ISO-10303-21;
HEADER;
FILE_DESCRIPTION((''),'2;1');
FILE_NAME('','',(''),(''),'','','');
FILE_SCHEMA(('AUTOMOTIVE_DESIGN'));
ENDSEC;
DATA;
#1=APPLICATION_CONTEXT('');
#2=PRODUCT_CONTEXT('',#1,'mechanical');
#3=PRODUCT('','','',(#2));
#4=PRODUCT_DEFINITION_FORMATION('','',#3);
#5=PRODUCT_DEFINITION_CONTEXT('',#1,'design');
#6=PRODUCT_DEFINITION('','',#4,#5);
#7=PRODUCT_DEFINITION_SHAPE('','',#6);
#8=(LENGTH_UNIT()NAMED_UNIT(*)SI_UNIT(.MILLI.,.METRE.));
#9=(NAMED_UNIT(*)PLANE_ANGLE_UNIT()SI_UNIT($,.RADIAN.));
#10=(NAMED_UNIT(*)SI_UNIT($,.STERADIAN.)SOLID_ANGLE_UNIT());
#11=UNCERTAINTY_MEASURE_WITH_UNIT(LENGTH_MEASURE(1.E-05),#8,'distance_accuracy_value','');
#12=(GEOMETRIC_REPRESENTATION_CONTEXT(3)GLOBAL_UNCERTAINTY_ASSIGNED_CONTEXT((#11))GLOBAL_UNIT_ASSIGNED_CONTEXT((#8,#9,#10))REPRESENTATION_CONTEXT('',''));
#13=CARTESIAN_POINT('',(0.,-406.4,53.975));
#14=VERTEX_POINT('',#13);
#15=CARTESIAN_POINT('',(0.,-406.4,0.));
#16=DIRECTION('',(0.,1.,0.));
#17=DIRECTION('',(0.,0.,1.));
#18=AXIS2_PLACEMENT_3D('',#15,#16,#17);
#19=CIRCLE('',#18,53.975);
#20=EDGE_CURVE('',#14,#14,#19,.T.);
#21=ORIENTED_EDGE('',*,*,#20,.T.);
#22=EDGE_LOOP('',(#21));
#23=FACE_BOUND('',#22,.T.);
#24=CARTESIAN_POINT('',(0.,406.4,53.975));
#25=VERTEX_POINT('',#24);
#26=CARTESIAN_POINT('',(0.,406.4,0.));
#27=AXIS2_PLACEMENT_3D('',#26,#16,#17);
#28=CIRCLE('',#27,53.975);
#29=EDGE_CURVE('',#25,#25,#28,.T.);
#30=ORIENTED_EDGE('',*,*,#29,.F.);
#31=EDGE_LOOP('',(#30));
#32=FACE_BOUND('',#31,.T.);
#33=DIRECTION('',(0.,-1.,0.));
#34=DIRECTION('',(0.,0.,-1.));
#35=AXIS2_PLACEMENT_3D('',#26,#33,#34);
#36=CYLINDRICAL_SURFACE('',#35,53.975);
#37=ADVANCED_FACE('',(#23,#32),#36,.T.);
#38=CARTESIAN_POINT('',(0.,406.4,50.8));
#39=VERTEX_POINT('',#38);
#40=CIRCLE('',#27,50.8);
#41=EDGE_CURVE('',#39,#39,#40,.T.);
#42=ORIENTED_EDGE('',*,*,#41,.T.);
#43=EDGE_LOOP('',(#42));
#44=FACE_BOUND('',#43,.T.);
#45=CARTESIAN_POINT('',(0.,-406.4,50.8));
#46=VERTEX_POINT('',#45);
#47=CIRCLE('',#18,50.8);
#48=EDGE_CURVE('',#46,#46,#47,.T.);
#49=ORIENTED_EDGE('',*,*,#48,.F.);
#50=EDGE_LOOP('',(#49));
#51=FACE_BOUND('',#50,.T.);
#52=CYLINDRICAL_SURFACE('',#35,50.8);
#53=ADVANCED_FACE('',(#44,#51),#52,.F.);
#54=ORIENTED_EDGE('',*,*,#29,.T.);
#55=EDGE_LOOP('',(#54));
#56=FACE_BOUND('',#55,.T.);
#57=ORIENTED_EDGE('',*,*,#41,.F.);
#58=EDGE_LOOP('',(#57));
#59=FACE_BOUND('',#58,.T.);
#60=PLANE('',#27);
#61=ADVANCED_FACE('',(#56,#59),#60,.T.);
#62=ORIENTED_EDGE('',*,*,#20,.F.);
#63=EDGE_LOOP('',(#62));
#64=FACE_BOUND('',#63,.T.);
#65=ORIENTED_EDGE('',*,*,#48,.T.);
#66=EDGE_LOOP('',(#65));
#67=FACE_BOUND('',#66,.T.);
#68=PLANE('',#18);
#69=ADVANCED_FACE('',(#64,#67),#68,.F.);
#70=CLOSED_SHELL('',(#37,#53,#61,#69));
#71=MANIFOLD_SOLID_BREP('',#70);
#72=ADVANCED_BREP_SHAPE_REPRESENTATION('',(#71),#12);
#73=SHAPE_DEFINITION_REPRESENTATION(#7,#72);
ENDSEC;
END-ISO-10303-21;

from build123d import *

# Parameters (mm, degrees)
SKETCH1_R           = 53.975
SKETCH1_R_2         = 50.8
BOSS_EXTRUDE1_DEPTH = 406.4


with BuildPart() as part:
    # Sketch1 → Boss-Extrude1 (new, symmetric)
    with BuildSketch(Plane(origin=(0, 0, 0), x_dir=(1, 0, 0), z_dir=(0, 1, 0))):
        with Locations(Location((0, 0, 0), (0, 0, 270))):
            Circle(SKETCH1_R)
        with Locations(Location((0, 0, 0), (0, 0, 270))):
            Circle(SKETCH1_R_2, mode=Mode.SUBTRACT)
    extrude(amount=BOSS_EXTRUDE1_DEPTH, both=True)


solid = part.part
